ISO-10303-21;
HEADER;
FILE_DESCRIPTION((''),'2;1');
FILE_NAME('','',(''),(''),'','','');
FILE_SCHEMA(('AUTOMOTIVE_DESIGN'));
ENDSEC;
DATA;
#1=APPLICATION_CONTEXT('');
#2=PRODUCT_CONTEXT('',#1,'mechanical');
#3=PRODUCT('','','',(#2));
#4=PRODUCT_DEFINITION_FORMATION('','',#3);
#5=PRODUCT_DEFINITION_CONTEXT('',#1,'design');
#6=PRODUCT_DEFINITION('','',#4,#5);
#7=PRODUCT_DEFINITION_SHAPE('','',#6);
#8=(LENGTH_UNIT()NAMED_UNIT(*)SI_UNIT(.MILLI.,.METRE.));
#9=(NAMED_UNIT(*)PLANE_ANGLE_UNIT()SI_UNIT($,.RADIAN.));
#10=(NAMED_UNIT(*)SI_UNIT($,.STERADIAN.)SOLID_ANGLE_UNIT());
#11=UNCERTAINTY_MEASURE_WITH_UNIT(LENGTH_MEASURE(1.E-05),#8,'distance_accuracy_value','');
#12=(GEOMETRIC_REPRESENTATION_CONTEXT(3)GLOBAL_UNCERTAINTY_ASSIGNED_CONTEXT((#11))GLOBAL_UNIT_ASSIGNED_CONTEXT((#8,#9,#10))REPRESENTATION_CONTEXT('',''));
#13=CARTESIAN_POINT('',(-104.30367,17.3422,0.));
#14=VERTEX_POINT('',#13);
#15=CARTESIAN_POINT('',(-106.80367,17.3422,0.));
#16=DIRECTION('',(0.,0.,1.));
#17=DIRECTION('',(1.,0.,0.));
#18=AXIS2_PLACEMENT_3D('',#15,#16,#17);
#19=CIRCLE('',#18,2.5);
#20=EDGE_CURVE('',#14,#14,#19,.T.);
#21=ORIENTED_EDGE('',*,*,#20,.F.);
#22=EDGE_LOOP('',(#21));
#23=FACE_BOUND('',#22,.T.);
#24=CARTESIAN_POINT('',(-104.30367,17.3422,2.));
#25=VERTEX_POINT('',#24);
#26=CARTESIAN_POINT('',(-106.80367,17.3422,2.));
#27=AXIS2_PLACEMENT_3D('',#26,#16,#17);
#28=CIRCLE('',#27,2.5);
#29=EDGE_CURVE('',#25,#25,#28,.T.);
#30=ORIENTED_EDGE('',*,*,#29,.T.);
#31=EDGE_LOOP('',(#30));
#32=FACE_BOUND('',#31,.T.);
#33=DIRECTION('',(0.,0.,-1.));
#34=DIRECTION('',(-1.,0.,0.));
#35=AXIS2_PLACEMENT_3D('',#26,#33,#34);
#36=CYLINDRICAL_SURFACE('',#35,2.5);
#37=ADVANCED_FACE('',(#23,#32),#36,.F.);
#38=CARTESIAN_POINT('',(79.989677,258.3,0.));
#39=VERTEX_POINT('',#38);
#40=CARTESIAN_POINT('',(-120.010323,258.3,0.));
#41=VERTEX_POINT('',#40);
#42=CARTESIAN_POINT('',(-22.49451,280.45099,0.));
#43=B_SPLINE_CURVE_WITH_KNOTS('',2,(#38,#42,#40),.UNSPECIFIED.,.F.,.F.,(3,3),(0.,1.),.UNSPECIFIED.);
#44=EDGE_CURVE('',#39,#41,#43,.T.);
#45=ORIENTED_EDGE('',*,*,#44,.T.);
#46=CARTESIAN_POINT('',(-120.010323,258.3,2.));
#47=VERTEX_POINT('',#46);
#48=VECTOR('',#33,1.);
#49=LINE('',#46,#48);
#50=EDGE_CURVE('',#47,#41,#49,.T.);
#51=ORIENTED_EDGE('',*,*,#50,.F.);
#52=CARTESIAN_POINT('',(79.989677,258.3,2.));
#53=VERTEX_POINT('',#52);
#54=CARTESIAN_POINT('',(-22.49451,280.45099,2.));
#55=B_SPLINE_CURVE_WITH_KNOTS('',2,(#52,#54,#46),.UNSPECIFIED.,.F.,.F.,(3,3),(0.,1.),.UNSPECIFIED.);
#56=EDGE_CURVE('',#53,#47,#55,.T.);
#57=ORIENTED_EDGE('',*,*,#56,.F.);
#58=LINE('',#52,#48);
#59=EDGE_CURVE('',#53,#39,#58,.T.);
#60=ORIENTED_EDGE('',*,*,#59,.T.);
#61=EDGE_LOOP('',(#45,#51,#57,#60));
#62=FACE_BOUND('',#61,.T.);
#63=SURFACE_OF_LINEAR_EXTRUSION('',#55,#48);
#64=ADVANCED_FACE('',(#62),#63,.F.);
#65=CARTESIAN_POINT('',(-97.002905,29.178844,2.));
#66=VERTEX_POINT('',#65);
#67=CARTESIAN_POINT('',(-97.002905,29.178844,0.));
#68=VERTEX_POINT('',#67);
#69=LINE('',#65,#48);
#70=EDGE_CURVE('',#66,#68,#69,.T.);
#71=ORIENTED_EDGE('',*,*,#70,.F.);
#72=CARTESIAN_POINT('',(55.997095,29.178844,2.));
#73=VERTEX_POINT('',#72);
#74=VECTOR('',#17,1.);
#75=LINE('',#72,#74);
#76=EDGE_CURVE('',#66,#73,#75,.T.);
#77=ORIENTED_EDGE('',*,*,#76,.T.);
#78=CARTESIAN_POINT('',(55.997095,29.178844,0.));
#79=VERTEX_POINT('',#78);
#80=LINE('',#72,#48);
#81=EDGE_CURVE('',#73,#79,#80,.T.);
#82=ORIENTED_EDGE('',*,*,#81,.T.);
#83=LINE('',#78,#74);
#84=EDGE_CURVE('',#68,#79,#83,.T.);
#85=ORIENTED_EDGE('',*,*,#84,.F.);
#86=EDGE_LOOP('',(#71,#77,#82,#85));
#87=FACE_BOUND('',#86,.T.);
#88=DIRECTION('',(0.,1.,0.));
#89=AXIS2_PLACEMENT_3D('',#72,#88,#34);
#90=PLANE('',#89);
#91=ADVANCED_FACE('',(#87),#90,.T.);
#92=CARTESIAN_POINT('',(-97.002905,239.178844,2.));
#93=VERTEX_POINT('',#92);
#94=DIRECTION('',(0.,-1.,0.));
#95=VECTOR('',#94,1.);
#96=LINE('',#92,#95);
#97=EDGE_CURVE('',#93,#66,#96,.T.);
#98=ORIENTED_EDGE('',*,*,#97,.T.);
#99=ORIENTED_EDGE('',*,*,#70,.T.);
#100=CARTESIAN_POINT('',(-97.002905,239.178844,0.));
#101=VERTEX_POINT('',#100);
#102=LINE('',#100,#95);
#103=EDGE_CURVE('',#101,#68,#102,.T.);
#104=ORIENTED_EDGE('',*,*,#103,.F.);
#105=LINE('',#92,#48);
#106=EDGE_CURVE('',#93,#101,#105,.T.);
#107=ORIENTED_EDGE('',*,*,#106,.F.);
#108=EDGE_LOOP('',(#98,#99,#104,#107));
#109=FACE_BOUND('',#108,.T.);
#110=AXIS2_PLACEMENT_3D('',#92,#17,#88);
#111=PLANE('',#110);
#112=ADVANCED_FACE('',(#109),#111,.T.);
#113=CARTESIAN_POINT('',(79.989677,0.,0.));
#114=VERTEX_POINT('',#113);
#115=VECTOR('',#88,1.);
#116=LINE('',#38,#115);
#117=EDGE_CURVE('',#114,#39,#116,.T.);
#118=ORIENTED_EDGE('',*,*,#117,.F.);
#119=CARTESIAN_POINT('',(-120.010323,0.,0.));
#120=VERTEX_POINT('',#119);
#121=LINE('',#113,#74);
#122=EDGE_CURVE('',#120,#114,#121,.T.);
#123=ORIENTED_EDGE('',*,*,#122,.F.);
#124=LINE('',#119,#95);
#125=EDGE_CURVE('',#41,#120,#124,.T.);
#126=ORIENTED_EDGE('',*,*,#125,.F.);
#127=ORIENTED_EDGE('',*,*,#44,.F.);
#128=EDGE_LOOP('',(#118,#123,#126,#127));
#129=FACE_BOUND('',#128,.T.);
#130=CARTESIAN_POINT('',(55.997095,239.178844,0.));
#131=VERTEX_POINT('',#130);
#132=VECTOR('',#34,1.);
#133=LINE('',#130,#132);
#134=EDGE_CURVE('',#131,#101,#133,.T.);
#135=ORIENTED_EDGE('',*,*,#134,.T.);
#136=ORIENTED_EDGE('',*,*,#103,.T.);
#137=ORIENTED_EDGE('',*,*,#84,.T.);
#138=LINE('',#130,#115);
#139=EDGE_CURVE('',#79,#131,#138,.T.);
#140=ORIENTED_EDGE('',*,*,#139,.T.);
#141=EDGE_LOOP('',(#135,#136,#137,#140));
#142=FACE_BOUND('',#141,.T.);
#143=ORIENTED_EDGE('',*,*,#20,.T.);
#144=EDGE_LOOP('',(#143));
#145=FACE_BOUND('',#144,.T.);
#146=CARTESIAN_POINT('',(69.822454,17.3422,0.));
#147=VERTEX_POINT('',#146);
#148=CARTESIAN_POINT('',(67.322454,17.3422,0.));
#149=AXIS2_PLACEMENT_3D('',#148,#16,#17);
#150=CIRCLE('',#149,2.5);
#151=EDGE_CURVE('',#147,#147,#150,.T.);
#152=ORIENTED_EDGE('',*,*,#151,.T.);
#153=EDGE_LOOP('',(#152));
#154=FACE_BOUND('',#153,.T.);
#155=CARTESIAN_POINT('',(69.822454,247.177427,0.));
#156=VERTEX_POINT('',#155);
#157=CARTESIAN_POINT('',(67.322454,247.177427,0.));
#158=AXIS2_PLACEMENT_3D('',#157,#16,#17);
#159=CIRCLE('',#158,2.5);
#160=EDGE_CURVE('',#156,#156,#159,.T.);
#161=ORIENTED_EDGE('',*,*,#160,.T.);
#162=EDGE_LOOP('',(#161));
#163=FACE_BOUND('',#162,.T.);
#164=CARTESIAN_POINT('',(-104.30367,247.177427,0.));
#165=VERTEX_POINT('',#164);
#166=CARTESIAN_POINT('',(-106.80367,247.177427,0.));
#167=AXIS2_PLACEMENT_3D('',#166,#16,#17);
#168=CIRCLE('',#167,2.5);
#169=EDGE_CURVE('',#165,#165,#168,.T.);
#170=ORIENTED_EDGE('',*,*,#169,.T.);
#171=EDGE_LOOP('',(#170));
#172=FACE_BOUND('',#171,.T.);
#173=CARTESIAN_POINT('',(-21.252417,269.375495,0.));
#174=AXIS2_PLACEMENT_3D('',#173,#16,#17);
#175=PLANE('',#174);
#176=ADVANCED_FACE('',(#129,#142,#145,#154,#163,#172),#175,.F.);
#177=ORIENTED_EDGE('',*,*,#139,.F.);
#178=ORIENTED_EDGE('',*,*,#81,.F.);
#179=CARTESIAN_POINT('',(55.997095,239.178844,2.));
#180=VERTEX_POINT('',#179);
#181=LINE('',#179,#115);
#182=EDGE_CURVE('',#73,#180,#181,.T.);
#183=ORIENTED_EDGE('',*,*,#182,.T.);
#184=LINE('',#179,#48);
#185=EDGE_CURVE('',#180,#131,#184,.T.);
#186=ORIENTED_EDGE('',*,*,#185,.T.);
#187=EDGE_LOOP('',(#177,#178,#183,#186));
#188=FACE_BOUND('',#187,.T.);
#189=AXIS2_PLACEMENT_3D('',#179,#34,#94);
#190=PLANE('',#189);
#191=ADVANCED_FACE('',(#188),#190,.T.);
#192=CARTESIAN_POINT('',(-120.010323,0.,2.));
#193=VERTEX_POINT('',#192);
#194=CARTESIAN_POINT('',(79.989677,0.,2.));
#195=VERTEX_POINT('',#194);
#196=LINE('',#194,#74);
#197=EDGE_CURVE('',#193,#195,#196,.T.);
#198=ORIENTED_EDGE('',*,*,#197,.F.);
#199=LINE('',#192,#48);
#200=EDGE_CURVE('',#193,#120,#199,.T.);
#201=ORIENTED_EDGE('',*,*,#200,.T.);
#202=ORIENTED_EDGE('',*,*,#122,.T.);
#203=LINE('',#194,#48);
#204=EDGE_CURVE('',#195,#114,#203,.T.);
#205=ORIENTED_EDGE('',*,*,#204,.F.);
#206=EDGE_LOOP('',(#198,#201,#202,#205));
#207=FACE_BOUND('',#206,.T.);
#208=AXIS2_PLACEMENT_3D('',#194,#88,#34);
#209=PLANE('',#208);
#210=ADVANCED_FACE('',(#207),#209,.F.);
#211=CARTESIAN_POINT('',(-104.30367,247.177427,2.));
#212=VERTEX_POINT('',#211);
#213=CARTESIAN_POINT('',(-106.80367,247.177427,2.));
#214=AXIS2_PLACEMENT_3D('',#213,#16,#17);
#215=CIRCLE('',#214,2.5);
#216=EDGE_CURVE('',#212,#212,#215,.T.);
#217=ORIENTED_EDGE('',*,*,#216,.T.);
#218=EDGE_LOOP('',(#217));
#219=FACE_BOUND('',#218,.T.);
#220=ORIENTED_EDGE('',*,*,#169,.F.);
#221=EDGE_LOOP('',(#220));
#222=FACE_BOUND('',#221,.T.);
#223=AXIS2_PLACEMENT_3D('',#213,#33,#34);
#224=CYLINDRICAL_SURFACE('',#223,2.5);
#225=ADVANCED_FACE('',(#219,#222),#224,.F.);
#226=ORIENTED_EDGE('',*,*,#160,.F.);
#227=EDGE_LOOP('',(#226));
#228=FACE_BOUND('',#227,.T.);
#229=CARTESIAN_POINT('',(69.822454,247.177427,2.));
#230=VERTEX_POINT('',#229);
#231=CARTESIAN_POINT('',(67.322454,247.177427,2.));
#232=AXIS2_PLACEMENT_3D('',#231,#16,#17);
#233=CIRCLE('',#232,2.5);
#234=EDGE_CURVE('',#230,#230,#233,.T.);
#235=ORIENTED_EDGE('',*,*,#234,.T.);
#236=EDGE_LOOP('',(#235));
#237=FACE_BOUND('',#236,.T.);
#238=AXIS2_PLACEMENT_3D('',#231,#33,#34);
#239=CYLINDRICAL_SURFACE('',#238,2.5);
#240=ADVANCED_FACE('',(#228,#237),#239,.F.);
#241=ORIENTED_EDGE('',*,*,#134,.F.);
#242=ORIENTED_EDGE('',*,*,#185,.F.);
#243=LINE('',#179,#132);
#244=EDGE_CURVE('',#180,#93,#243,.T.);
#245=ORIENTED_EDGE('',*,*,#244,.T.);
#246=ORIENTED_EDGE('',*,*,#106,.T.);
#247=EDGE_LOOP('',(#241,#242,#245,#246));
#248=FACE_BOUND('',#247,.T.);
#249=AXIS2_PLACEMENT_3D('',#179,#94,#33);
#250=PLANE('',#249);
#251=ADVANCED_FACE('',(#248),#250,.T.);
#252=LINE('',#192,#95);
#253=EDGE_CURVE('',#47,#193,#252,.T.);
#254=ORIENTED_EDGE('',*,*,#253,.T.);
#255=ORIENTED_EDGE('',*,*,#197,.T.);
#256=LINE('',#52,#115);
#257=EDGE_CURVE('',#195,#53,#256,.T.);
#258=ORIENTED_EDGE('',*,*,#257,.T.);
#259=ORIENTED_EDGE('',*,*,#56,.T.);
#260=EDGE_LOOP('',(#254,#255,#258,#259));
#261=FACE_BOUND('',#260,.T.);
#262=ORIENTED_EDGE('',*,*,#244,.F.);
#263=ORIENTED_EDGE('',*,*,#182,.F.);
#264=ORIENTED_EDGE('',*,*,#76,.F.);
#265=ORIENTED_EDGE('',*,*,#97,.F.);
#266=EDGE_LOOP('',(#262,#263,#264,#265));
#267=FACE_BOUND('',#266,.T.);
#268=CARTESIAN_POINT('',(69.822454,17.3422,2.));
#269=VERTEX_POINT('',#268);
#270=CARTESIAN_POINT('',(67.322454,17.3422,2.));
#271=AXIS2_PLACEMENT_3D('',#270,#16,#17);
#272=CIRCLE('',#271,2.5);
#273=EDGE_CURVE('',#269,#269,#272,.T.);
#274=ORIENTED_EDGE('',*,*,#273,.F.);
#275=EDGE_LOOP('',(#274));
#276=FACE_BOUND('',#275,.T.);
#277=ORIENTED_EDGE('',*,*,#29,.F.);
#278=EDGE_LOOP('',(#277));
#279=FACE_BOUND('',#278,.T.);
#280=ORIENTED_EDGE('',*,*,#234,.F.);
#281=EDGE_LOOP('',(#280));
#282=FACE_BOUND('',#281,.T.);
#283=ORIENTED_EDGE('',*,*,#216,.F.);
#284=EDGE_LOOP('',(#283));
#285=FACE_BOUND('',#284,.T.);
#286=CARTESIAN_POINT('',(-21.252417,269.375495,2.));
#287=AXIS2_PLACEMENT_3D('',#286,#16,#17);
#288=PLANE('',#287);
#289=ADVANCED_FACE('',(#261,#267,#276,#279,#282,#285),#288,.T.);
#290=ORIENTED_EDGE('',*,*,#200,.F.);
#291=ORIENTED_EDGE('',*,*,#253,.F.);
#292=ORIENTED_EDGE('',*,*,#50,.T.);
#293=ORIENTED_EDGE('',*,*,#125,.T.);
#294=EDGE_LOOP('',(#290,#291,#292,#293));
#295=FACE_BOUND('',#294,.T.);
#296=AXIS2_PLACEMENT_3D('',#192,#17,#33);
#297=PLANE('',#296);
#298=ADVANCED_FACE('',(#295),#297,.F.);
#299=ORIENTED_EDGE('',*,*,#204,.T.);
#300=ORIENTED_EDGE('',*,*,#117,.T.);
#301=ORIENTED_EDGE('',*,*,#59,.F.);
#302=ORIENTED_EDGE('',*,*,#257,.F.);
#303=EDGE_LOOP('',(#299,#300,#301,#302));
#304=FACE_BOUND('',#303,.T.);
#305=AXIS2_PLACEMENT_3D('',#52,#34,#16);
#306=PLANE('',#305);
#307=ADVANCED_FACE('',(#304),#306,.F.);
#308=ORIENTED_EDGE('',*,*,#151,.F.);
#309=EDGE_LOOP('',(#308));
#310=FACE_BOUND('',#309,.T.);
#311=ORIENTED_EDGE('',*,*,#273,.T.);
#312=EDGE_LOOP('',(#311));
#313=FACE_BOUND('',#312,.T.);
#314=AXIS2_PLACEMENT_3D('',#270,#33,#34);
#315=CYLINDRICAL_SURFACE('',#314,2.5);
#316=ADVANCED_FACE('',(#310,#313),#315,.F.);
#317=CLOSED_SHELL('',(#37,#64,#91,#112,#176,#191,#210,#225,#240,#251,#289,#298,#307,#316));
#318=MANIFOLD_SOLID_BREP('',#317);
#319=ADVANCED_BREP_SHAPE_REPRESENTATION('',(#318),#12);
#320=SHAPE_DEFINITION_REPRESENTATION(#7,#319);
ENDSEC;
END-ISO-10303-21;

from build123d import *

# Parameters (mm, degrees)
SKETCH1_R           = 2.5
SKETCH1_W           = 153
SKETCH1_H           = 210
BOSS_EXTRUDE1_DEPTH = 2


with BuildPart() as part:
    # Sketch1 → Boss-Extrude1 (new body)
    with BuildSketch(Plane.XY):
        with BuildLine():
            Line((79.989677419, 0), (-120.010322581, 0))
            Line((-120.010322581, 0), (-120.010322581, 258.3))
            add(Edge.make_bspline(
                [(-120.010322581, 258.3), (-22.49451042, 280.450990468), (79.989677419, 258.3)],
                knots=[0, 0, 0, 1, 1, 1], degree=2))
            Line((79.989677419, 258.3), (79.989677419, 0))
        make_face()
        with Locations((-106.803669914, 247.177426871)):
            Circle(SKETCH1_R, mode=Mode.SUBTRACT)
        with Locations((67.322454172, 247.177426871)):
            Circle(SKETCH1_R, mode=Mode.SUBTRACT)
        with Locations((67.322454172, 17.342199543)):
            Circle(SKETCH1_R, mode=Mode.SUBTRACT)
        with Locations((-106.803669914, 17.342199543)):
            Circle(SKETCH1_R, mode=Mode.SUBTRACT)
        with Locations((-20.502905322, 134.178843816)):
            Rectangle(SKETCH1_W, SKETCH1_H, mode=Mode.SUBTRACT)
    extrude(amount=BOSS_EXTRUDE1_DEPTH)


solid = part.part
